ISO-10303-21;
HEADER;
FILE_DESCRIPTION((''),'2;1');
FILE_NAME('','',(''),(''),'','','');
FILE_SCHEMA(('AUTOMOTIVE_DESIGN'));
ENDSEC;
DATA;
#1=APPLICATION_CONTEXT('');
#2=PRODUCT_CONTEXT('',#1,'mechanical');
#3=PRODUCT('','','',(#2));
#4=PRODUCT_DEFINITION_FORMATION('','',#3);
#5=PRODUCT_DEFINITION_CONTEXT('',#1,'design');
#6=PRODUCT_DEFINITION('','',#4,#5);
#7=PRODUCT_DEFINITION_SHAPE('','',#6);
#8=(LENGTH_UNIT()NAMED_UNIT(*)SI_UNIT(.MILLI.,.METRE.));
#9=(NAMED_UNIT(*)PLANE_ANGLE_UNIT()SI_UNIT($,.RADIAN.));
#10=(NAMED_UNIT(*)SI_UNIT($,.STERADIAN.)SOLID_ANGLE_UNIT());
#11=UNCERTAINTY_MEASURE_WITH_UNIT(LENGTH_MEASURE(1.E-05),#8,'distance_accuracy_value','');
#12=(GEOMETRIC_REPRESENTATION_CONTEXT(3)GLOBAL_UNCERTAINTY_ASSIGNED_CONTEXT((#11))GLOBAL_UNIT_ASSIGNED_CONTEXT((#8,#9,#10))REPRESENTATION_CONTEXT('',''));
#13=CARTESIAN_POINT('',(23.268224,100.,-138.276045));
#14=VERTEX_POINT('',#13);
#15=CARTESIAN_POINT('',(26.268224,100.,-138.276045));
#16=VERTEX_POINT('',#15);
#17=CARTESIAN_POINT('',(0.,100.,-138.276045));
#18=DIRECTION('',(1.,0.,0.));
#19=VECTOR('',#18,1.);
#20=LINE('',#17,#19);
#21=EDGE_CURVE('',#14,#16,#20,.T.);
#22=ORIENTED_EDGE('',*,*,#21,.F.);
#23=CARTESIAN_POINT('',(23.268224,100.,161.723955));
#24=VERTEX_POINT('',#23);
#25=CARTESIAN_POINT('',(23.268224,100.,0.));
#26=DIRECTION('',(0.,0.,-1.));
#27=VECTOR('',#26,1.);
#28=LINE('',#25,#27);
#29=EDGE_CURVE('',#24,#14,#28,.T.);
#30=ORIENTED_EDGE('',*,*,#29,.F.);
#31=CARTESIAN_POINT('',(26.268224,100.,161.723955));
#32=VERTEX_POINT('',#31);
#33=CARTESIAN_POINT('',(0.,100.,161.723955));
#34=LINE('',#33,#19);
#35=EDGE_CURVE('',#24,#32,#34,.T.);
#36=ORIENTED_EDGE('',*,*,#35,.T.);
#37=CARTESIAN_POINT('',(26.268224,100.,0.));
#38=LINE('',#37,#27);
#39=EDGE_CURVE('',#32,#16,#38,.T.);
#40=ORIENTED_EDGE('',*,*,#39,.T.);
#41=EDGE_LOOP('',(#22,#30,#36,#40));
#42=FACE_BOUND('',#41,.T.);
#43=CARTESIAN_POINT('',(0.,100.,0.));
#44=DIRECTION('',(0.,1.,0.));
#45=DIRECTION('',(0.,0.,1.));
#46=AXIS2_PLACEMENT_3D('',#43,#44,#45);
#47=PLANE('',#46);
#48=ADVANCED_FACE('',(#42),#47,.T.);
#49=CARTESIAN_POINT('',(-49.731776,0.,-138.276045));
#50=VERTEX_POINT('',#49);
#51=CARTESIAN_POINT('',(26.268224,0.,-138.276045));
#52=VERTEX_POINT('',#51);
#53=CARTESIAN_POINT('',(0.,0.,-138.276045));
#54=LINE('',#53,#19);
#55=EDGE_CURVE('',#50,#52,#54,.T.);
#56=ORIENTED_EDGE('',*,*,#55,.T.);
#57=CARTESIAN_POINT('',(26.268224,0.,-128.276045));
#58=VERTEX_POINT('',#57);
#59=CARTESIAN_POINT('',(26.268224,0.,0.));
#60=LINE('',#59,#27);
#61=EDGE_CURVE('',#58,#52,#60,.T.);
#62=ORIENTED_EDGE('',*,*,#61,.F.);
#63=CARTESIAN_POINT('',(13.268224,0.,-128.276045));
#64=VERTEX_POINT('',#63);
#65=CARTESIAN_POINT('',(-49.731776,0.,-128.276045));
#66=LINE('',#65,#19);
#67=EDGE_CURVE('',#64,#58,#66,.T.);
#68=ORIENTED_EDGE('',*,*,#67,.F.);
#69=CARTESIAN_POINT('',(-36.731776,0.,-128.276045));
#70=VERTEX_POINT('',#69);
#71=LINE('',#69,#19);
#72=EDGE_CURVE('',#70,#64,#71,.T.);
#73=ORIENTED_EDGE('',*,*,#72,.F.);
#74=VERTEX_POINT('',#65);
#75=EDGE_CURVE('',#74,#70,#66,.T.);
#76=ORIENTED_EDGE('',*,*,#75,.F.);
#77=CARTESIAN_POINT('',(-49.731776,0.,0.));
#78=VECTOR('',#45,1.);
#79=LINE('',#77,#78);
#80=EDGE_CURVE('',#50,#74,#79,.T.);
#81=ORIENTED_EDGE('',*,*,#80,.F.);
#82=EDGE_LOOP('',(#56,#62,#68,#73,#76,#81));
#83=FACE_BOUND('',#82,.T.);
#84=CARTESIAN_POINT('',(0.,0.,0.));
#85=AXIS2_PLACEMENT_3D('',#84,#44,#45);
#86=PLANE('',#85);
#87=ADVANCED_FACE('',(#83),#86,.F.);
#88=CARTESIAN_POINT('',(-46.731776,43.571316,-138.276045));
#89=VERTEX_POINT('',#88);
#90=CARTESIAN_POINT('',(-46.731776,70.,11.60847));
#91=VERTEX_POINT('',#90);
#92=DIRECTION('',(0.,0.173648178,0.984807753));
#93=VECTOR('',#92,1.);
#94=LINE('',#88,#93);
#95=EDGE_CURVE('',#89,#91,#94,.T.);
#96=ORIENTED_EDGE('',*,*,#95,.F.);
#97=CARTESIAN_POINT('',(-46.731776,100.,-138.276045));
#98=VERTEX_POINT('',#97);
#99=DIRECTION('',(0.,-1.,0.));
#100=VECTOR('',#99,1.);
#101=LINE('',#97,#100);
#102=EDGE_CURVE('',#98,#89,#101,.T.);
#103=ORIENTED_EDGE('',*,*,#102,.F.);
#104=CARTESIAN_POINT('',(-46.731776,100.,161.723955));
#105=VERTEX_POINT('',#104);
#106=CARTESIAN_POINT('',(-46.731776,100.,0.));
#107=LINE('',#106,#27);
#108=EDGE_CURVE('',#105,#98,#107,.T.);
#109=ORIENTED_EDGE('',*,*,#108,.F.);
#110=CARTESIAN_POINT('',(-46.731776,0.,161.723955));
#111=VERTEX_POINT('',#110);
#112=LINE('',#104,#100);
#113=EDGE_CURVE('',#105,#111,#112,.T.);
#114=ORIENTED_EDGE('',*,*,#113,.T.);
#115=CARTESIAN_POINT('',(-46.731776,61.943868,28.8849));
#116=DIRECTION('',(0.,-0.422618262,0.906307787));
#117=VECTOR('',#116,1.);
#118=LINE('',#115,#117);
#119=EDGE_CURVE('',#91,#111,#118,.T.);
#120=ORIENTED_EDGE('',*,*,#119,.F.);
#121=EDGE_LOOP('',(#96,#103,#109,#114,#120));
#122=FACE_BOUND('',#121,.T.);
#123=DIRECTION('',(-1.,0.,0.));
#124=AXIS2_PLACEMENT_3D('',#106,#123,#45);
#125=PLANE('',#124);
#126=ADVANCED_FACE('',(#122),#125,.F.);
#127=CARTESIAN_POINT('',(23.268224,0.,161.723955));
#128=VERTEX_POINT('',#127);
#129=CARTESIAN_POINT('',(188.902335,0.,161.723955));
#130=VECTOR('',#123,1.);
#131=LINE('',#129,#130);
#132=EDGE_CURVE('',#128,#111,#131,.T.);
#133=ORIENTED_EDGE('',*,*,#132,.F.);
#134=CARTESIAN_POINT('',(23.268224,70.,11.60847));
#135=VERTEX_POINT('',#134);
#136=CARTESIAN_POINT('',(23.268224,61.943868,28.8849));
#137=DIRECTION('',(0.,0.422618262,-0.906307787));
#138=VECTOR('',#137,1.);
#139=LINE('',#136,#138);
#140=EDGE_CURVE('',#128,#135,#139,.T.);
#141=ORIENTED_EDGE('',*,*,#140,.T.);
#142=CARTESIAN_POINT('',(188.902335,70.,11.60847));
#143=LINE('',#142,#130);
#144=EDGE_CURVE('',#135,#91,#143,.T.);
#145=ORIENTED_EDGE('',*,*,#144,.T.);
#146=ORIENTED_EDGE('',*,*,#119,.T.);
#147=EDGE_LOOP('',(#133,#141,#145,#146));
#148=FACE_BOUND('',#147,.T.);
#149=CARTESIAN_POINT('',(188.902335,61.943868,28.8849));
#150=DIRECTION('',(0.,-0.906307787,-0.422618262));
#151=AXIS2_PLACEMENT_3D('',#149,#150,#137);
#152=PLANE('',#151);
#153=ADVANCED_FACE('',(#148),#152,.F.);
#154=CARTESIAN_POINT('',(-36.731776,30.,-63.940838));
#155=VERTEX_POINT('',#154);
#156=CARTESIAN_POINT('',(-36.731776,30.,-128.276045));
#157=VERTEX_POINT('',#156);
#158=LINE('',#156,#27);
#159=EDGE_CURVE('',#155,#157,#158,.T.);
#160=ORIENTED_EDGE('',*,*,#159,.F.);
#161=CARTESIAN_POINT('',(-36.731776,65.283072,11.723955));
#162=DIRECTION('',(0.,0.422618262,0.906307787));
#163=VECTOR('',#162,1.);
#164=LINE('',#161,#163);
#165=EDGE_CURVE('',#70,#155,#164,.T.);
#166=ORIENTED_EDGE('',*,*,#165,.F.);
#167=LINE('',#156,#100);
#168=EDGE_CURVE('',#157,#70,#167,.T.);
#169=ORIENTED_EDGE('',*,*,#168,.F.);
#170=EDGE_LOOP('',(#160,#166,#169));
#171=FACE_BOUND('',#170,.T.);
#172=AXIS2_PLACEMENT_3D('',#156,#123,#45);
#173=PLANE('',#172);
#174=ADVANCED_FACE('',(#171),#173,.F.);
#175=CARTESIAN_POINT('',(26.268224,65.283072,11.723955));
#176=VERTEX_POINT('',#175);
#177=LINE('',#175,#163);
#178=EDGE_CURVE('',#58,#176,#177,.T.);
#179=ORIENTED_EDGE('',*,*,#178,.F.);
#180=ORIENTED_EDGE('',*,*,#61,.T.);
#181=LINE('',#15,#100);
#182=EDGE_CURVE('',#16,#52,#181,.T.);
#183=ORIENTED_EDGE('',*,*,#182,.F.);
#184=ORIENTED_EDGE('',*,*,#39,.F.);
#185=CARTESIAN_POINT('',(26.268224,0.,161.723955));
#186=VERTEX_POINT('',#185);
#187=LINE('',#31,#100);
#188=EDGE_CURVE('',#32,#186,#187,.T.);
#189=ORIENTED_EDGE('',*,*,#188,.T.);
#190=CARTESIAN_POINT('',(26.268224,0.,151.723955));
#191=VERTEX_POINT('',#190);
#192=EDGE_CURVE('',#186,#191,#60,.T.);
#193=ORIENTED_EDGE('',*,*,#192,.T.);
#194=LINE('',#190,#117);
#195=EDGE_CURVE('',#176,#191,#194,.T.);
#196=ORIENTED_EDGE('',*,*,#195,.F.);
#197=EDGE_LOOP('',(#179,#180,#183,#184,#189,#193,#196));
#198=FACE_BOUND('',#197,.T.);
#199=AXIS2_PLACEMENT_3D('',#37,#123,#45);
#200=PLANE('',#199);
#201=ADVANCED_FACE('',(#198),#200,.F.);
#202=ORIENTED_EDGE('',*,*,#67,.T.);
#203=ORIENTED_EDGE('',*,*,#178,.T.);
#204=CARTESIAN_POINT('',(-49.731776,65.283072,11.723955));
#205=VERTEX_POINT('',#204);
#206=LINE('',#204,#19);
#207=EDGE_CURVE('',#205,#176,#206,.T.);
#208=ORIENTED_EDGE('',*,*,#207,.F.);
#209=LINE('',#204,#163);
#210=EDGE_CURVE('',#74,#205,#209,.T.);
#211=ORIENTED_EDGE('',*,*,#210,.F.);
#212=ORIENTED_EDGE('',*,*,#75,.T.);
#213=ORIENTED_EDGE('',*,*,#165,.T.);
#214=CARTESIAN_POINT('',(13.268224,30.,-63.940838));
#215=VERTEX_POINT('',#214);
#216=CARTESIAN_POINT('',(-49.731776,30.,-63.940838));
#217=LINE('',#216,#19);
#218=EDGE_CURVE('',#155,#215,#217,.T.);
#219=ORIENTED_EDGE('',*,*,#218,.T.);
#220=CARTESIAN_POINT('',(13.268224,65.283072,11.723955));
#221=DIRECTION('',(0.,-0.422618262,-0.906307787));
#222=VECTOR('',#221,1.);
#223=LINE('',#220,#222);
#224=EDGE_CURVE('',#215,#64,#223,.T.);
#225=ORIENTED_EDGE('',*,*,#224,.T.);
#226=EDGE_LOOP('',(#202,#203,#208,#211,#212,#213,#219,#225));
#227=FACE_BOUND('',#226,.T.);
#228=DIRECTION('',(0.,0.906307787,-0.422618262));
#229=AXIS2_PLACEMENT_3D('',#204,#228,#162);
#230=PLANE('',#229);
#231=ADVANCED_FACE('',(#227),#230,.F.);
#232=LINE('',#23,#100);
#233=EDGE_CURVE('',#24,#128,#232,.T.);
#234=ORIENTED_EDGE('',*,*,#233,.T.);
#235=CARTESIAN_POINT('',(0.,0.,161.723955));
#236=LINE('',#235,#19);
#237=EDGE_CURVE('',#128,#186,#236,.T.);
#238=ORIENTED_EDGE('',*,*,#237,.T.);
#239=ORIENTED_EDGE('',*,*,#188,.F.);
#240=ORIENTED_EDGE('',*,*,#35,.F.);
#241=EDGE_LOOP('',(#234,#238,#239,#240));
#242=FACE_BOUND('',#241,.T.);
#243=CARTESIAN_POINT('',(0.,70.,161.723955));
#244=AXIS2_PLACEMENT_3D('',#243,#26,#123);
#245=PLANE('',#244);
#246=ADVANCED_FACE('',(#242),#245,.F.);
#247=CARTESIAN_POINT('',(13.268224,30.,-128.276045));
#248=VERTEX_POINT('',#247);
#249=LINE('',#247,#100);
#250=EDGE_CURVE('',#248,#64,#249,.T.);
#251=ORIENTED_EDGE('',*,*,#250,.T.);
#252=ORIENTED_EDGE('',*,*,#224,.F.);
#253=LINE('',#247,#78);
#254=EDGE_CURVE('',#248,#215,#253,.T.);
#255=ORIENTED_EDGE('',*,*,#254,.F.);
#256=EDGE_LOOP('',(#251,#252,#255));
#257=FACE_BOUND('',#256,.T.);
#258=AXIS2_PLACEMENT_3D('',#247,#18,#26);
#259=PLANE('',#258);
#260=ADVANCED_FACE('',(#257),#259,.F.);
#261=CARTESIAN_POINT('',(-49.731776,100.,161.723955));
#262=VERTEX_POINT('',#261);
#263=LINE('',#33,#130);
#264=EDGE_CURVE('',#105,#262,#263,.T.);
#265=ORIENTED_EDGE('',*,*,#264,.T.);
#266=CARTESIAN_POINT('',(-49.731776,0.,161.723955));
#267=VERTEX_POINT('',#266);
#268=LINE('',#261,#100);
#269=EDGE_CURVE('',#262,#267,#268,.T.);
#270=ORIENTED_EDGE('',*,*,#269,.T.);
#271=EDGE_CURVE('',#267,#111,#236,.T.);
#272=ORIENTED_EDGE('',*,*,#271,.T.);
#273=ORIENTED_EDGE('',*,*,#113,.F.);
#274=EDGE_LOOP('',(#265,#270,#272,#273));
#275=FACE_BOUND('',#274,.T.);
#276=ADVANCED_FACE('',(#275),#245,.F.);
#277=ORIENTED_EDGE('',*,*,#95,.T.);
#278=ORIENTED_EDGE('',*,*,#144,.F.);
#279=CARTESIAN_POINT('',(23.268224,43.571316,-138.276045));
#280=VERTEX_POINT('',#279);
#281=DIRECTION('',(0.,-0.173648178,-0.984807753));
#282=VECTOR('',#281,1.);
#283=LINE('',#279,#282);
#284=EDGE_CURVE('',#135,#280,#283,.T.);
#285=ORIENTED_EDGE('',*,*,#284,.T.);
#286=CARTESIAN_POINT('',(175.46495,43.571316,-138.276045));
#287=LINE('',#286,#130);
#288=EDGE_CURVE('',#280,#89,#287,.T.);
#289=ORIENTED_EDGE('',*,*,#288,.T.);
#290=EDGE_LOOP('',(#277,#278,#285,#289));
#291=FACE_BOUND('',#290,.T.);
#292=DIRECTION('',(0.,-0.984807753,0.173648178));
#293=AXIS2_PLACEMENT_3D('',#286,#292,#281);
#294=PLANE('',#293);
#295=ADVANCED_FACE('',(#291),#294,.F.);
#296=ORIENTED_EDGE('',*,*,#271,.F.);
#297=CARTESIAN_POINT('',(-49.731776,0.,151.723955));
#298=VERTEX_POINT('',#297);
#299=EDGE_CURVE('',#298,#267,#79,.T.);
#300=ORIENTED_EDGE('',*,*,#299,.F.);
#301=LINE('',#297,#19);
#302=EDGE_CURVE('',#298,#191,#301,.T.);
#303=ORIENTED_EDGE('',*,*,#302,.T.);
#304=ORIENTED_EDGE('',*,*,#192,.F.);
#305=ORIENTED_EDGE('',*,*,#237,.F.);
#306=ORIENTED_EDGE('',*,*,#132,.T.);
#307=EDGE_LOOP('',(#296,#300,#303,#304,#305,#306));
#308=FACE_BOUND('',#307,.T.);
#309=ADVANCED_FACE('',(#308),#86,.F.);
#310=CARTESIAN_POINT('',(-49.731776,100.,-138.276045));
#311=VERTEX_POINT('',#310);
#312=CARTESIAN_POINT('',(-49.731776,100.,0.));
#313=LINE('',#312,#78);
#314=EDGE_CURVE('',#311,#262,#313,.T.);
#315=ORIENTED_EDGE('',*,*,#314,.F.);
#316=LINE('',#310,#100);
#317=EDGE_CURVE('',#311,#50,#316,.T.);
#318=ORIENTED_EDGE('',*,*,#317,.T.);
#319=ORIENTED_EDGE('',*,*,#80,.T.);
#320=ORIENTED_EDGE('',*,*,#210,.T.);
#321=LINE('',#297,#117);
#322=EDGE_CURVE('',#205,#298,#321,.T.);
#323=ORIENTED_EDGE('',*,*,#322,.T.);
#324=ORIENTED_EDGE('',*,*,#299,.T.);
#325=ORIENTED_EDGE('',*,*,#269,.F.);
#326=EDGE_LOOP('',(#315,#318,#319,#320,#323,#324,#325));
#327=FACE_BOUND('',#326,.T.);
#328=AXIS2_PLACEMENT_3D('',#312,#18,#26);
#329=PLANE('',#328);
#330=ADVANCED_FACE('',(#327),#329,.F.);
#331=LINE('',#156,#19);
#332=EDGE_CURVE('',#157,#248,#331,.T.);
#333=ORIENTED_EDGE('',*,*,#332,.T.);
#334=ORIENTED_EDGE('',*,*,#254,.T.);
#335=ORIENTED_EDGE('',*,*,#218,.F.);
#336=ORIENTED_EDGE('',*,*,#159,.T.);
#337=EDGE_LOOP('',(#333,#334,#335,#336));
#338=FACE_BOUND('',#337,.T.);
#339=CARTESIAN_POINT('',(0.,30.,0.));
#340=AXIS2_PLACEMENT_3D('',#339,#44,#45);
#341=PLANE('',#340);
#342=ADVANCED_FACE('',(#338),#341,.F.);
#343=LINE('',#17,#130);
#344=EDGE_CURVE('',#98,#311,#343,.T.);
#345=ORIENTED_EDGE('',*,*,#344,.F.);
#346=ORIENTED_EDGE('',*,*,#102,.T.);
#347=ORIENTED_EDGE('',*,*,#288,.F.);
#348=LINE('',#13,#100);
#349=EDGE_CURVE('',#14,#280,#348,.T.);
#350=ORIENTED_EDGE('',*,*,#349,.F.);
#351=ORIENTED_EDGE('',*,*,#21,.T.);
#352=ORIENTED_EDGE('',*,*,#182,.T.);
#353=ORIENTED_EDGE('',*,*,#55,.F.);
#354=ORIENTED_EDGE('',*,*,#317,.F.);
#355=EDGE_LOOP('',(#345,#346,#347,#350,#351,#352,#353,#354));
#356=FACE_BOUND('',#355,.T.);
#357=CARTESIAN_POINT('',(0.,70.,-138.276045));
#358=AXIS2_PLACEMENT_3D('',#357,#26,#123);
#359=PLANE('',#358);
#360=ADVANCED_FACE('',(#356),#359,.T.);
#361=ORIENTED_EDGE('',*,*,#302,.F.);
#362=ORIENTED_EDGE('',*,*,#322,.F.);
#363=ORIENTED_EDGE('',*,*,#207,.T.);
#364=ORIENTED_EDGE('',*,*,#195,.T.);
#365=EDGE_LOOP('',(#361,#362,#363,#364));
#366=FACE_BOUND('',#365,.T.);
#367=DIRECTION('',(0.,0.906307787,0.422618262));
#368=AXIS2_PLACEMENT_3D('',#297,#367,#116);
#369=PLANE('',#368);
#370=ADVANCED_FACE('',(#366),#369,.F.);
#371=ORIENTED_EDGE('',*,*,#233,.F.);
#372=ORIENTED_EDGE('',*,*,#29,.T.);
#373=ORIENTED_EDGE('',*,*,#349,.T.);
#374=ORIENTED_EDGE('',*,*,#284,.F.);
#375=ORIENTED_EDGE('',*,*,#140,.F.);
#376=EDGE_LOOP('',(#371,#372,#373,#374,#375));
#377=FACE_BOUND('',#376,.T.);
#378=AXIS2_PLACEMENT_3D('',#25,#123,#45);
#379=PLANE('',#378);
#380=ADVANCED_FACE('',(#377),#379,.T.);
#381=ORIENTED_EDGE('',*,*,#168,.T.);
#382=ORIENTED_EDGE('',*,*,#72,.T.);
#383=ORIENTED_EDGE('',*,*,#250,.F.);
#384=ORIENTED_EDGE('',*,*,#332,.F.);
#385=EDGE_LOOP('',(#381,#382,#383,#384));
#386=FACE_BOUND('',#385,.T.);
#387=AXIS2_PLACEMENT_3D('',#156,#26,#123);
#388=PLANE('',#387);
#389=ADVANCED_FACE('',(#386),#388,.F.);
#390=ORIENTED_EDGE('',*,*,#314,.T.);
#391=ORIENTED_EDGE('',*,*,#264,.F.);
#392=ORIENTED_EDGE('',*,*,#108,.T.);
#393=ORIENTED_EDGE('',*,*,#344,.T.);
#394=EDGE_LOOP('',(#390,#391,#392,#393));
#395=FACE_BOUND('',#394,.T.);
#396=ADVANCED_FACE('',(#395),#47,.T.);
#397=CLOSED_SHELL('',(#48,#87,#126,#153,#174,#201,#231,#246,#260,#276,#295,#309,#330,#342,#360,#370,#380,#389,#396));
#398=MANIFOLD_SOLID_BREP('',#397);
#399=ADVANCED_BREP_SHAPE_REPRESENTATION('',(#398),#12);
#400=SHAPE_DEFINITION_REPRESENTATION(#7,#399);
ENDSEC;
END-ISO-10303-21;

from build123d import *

# Parameters (mm, degrees)
SKETCH1_W           = 70
SKETCH1_H           = 300
BOSS_EXTRUDE1_DEPTH = 70
SKETCH1_4_W         = 3
SKETCH1_4_H         = 300
BOSS_EXTRUDE2_DEPTH = 100
CUT_EXTRUDE1_DEPTH  = 70
CUT_EXTRUDE2_DEPTH  = 70
CUT_EXTRUDE3_DEPTH  = 205.769718293
SKETCH10_W          = 50
SKETCH10_H          = 70
CUT_EXTRUDE4_DEPTH  = 30


with BuildPart() as part:
    # Sketch1 → Boss-Extrude1 (new body)
    with BuildSketch(Plane(origin=(0, 0, 0), x_dir=(1, 0, 0), z_dir=(0, 1, 0))):
        with Locations((-11.73177624, -11.723954719)):
            Rectangle(SKETCH1_W, SKETCH1_H)
    extrude(amount=BOSS_EXTRUDE1_DEPTH)

    # Sketch1<4> → Boss-Extrude2 (add)
    with BuildSketch(Plane(origin=(0, 0, 0), x_dir=(1, 0, 0), z_dir=(0, 1, 0))):
        with Locations((-48.23177624, -11.723954719)):
            Rectangle(SKETCH1_4_W, SKETCH1_4_H)
        with Locations((24.76822376, -11.723954719)):
            Rectangle(SKETCH1_4_W, SKETCH1_4_H)
    extrude(amount=BOSS_EXTRUDE2_DEPTH)

    # Sketch2 → Cut-Extrude1 (cut)
    with BuildSketch(Plane.ZY.offset(46.73177624)):
        Polygon((161.723954719, 70), (11.608470283, 70), (161.723954719, 0), align=None)
    extrude(amount=-CUT_EXTRUDE1_DEPTH, mode=Mode.SUBTRACT)

    # Sketch3 → Cut-Extrude2 (cut)
    with BuildSketch(Plane.ZY.offset(46.73177624)):
        Polygon((11.608470283, 70), (-138.276045281, 70), (-138.276045281, 43.571315916), align=None)
    extrude(amount=-CUT_EXTRUDE2_DEPTH, mode=Mode.SUBTRACT)

    # Sketch8 → Cut-Extrude3 (cut, through all)
    with BuildSketch(Plane(origin=(26.26822376, 0, 0), x_dir=(0, 0, -1), z_dir=(1, 0, 0))):
        Polygon((-151.723954719, 0), (-11.723954719, 65.283072142), (128.276045281, 0), (-11.723954719, 0), align=None)
    extrude(amount=-CUT_EXTRUDE3_DEPTH, mode=Mode.SUBTRACT)

    # Sketch10 → Cut-Extrude4 (cut)
    with BuildSketch(Plane.XZ):
        with Locations((-11.73177624, -93.276045281)):
            Rectangle(SKETCH10_W, SKETCH10_H)
    extrude(amount=-CUT_EXTRUDE4_DEPTH, mode=Mode.SUBTRACT)


solid = part.part
